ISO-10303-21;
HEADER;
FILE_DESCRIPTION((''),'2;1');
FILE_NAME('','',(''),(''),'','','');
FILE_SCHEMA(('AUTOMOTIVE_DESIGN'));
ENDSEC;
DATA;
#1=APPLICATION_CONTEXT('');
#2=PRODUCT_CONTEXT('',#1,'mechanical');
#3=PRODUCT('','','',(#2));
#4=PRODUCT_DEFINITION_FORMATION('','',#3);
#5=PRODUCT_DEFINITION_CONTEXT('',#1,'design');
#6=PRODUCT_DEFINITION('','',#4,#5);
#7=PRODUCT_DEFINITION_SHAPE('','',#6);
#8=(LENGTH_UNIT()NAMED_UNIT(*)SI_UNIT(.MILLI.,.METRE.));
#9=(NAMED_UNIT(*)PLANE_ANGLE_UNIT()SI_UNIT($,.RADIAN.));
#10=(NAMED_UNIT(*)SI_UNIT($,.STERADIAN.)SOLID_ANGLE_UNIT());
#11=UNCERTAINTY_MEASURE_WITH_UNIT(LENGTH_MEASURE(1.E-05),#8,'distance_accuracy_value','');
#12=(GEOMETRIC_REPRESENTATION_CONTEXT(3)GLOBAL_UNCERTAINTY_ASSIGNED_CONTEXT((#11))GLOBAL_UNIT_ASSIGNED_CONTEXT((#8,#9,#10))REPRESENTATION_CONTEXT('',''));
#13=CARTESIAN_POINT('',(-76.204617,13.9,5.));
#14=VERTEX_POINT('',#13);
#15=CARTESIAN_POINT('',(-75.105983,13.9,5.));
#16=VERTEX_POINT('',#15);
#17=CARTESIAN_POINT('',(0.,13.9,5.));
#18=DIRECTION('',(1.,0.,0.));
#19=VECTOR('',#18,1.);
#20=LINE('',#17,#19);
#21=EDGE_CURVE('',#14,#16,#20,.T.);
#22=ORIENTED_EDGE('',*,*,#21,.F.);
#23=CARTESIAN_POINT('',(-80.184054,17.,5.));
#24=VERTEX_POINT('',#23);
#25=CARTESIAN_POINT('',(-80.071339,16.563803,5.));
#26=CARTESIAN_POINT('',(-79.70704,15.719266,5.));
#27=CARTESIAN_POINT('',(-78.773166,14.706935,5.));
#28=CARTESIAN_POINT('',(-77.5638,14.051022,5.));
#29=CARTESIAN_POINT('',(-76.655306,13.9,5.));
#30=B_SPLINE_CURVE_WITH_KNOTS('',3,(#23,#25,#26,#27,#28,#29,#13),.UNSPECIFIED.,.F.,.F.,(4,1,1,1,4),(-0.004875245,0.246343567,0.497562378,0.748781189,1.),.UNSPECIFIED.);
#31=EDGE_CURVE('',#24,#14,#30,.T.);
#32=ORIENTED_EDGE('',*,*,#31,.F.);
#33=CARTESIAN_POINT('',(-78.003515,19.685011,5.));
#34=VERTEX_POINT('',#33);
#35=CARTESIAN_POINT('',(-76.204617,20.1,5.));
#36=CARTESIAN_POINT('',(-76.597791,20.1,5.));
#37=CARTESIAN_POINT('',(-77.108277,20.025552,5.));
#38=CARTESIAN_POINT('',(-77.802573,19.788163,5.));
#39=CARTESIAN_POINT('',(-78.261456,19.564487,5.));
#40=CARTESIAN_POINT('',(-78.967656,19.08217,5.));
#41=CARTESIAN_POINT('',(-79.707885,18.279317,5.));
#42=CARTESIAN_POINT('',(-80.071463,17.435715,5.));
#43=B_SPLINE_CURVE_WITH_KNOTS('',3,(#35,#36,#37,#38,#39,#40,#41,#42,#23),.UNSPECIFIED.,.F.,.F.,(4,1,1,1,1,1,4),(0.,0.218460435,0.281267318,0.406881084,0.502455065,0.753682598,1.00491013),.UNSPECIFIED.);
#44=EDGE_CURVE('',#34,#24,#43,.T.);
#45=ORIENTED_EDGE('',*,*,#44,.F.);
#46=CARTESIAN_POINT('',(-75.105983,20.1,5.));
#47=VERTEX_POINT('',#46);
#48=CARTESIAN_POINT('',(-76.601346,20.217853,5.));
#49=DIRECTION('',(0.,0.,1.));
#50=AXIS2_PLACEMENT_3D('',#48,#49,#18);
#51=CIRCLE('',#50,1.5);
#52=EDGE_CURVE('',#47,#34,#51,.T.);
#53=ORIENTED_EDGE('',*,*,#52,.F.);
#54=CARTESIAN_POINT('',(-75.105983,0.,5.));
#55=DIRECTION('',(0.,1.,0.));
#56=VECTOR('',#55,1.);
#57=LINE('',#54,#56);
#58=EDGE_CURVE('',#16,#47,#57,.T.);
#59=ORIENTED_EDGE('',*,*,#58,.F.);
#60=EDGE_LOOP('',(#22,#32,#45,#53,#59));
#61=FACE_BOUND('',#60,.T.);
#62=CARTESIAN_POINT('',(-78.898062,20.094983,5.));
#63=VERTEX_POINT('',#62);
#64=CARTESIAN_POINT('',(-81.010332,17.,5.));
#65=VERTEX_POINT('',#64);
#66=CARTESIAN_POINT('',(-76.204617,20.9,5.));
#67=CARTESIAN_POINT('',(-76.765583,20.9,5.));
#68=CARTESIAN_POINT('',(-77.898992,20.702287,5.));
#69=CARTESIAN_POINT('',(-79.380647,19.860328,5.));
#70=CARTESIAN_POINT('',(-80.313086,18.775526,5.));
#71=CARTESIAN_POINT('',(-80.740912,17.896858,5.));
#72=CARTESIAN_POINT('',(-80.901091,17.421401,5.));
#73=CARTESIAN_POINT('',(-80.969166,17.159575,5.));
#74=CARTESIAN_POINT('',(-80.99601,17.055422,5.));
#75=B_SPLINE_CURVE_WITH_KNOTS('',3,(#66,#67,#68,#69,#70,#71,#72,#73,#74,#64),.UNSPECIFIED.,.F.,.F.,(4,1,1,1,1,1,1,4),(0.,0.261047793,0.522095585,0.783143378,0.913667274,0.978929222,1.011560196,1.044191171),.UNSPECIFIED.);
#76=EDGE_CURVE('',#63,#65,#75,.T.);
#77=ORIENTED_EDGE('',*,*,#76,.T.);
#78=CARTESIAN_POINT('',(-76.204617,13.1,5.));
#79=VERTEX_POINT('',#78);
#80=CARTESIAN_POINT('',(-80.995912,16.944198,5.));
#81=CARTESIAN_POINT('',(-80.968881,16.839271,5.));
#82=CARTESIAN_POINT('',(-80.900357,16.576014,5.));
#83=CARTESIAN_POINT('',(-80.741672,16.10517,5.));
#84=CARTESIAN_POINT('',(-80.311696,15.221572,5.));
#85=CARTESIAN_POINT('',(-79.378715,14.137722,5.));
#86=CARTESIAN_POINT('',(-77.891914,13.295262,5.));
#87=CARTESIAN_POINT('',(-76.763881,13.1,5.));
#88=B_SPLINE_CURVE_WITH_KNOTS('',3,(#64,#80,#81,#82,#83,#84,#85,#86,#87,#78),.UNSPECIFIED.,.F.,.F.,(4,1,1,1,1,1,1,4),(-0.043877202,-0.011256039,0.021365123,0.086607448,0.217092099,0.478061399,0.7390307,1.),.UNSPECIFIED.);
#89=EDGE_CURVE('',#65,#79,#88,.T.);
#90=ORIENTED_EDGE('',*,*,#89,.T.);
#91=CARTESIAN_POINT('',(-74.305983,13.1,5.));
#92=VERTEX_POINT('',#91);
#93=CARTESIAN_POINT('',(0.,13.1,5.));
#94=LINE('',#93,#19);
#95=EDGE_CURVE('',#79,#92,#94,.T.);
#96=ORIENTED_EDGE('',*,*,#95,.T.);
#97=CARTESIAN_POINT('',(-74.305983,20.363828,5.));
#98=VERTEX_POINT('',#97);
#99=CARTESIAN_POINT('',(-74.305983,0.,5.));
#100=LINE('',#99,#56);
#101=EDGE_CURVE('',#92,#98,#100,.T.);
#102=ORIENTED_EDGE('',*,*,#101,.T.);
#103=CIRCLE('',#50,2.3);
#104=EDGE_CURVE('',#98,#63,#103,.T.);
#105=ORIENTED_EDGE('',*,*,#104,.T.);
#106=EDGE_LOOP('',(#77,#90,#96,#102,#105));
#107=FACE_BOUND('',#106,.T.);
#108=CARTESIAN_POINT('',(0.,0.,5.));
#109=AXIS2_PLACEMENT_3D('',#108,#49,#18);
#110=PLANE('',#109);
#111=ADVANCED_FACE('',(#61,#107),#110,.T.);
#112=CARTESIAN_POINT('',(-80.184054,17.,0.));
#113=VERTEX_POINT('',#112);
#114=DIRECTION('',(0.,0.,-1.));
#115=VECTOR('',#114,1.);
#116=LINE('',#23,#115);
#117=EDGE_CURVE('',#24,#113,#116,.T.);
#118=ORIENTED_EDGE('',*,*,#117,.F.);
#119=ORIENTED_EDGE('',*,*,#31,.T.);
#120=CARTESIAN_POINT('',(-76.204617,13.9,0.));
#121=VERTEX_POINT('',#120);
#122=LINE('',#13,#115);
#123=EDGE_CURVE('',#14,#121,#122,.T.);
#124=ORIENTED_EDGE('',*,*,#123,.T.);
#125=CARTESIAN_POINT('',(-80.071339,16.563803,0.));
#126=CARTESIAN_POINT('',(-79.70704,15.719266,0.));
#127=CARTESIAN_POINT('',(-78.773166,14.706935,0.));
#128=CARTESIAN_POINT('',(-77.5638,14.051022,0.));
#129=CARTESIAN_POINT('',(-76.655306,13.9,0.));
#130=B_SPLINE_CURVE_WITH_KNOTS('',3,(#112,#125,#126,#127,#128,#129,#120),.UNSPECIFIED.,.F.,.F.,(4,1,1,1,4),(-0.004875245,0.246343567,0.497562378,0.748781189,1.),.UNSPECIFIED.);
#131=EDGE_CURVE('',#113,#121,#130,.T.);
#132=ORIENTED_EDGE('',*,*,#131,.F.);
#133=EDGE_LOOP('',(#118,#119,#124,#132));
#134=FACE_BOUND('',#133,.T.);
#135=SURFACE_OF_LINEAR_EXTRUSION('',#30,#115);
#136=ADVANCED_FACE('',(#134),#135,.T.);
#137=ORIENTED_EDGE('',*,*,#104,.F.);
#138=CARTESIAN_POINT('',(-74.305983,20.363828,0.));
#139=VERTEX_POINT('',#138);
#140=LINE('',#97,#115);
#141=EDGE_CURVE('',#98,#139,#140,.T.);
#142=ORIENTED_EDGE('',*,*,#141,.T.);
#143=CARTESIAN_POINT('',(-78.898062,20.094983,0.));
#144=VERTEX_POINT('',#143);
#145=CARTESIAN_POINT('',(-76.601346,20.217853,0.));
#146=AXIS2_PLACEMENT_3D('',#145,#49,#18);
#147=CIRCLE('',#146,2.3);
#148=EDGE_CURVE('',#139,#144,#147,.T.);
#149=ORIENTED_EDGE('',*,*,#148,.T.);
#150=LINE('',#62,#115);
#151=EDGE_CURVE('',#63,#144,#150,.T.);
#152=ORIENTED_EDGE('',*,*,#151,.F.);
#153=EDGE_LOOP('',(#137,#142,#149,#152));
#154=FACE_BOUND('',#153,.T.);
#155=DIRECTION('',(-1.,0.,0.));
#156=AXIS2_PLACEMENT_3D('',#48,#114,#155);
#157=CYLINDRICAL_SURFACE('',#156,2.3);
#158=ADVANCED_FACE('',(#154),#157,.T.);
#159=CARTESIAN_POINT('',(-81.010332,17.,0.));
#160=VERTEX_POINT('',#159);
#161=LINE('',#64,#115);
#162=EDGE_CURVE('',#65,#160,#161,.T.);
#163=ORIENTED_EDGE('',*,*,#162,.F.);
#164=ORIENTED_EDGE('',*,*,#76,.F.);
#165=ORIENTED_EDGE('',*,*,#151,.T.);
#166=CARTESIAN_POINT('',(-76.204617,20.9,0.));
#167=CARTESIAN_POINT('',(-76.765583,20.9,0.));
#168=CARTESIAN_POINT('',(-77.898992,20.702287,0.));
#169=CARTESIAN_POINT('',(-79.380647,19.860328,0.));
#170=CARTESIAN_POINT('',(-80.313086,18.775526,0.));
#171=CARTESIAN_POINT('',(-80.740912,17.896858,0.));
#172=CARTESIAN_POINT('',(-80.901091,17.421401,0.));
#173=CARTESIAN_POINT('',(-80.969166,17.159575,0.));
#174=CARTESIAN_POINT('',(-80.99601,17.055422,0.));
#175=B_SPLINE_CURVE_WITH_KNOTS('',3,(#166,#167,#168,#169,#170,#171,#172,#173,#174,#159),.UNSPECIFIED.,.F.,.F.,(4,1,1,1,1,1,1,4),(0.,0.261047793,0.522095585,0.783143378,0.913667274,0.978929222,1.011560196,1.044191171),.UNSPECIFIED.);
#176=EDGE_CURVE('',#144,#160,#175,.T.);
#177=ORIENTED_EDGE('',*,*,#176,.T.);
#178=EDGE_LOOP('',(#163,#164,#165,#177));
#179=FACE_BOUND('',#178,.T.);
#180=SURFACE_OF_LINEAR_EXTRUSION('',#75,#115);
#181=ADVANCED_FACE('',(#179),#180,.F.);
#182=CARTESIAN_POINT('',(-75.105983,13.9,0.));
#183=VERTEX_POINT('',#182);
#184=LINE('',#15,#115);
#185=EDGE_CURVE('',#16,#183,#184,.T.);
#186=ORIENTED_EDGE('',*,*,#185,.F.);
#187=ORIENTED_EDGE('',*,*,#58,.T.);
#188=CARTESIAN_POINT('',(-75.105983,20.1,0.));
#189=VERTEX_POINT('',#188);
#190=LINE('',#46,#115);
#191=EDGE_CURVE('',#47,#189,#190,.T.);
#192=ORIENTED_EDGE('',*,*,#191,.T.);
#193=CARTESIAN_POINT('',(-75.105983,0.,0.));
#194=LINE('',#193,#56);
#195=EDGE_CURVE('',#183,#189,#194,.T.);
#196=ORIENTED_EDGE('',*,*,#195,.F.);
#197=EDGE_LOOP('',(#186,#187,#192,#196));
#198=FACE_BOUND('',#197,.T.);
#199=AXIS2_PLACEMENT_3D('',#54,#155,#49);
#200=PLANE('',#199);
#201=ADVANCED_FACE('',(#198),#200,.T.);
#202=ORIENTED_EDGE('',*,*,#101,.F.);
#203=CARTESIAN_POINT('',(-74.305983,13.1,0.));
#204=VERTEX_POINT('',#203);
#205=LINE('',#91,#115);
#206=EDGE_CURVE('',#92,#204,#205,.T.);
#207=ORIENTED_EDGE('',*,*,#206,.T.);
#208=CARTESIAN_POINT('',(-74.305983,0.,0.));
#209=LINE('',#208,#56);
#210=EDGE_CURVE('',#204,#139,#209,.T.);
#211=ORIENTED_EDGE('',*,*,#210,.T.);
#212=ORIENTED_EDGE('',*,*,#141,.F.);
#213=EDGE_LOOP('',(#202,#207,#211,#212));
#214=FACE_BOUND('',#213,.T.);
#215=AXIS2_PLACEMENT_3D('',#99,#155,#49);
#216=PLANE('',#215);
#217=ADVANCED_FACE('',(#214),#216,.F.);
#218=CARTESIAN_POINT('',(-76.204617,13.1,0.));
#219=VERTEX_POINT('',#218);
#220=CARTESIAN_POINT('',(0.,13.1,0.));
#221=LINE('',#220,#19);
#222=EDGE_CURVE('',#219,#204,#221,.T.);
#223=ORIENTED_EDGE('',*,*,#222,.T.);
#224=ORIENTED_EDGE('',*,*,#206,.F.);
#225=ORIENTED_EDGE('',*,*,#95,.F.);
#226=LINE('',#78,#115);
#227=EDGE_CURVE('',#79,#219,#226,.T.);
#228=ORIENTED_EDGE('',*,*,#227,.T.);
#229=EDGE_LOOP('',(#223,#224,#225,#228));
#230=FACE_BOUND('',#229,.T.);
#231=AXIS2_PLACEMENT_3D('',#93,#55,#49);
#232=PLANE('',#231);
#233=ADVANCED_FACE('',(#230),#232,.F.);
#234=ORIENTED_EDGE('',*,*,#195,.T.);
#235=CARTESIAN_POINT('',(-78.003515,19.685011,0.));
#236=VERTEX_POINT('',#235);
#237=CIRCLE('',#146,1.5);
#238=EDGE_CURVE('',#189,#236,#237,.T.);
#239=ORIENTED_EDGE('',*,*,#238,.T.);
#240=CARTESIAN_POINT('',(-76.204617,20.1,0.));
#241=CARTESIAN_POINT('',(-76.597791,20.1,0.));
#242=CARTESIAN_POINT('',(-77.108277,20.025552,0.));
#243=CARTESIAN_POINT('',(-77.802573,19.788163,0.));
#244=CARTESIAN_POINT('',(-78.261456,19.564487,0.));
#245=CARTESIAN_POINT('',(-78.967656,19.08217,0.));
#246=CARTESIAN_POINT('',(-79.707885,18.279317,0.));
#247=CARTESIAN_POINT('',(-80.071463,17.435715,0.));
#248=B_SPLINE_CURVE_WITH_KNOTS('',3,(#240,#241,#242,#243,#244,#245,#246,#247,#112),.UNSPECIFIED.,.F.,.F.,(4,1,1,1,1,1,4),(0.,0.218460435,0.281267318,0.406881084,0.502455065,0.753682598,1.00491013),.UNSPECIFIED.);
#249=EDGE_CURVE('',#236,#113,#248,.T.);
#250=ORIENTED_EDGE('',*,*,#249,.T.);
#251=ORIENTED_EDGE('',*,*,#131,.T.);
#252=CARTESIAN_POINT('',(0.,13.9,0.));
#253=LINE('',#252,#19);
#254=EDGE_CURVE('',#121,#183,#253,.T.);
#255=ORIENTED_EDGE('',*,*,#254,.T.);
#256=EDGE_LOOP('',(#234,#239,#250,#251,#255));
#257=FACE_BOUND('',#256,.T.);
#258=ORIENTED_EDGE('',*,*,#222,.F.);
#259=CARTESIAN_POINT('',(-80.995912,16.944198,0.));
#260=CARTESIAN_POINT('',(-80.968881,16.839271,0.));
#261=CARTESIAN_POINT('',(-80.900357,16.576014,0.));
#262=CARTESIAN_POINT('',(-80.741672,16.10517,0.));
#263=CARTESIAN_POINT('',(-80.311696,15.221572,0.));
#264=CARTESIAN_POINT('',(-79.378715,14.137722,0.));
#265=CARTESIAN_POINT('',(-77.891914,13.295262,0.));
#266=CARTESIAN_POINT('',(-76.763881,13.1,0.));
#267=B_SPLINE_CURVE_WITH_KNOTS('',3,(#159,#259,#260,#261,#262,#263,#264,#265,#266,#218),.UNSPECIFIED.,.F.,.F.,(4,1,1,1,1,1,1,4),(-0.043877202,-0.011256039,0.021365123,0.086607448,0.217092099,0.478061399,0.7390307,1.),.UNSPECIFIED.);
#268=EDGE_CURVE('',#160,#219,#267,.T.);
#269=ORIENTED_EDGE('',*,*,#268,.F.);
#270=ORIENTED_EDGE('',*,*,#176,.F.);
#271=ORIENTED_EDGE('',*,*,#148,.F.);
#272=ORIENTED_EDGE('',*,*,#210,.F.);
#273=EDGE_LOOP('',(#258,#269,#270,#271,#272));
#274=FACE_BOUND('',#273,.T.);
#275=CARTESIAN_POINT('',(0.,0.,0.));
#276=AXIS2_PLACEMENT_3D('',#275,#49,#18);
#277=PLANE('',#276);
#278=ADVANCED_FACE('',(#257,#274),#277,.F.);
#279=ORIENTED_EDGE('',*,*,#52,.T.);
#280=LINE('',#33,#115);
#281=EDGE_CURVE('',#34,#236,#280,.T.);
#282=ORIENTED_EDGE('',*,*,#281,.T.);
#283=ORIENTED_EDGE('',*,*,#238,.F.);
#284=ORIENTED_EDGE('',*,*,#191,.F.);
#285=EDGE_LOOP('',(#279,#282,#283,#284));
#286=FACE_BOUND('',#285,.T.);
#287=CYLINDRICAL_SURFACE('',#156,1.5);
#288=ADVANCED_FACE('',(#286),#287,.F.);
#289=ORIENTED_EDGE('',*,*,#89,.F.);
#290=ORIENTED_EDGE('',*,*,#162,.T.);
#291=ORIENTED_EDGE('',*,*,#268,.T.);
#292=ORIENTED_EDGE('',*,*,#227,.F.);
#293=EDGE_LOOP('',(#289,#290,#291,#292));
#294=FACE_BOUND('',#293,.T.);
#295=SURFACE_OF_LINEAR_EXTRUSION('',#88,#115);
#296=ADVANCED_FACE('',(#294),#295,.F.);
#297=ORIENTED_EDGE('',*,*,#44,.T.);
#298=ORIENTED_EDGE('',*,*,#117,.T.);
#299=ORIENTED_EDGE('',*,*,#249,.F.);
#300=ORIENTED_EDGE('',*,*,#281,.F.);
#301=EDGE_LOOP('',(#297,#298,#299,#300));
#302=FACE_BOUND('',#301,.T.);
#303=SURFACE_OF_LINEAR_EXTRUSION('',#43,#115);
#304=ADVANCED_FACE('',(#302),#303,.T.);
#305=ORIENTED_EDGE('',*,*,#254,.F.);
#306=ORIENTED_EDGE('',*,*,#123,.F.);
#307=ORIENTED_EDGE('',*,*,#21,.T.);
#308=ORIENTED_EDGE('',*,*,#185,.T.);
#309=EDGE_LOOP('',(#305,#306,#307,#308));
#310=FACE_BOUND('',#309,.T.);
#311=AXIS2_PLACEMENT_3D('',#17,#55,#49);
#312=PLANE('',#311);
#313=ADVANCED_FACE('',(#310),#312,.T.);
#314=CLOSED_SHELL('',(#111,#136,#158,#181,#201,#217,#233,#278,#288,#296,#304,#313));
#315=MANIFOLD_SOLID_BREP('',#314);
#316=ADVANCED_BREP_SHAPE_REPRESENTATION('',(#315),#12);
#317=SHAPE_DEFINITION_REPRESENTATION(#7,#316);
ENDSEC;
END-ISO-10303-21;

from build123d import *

# Parameters (mm, degrees)
BOSS_EXTRUDE1_DEPTH = 5


with BuildPart() as part:
    # Sketch1 → Boss-Extrude1 (new body)
    with BuildSketch(Plane.XY):
        with BuildLine():
            ThreePointArc((-75.265428178, 20.9), (-75.130279043, 20.511046865), (-75.105982855, 20.1))
            Line((-75.105982855, 20.1), (-75.105982855, 19.853719883))
            add(Edge.make_bspline(
                [(-74.305982855, 19.570019979), (-74.57545788, 19.689791559), (-74.842109989, 19.784227542), (-75.105982855, 19.853719883)],
                knots=[-0.347916047, -0.347916047, -0.347916047, -0.347916047, -0.203467167, -0.203467167, -0.203467167, -0.203467167], degree=3))
            Line((-74.305982855, 19.570019979), (-74.305982855, 20.071878785))
            Line((-74.305982855, 20.071878785), (-74.305982855, 20.363828129))
            ThreePointArc((-74.305982855, 20.363828129), (-74.339463682, 20.634853388), (-74.404831342, 20.9))
            Line((-74.404831342, 20.9), (-75.265428178, 20.9))
        make_face()
        with BuildLine():
            add(Edge.make_bspline(
                [(-74.305982855, 19.570019979), (-74.57545788, 19.689791559), (-74.842109989, 19.784227542), (-75.105982855, 19.853719883)],
                knots=[-0.347916047, -0.347916047, -0.347916047, -0.347916047, -0.203467167, -0.203467167, -0.203467167, -0.203467167], degree=3))
            Line((-75.105982855, 19.853719883), (-75.105982855, 16.984329869))
            Line((-75.105982855, 16.984329869), (-75.105982855, 14.140403881))
            add(Edge.make_bspline(
                [(-75.105982855, 14.140403881), (-74.843255413, 14.206157854), (-74.576591527, 14.295030515), (-74.305982855, 14.407070854)],
                knots=[1.201768628, 1.201768628, 1.201768628, 1.201768628, 1.343435707, 1.343435707, 1.343435707, 1.343435707], degree=3))
            Line((-74.305982855, 14.407070854), (-74.305982855, 17.699135935))
            Line((-74.305982855, 17.699135935), (-74.305982855, 19.570019979))
        make_face()
        with BuildLine():
            ThreePointArc((-78.067947351, 20.532623393), (-76.79630986, 21.70512917), (-75.265428178, 20.9))
            Line((-75.265428178, 20.9), (-74.404831342, 20.9))
            ThreePointArc((-74.404831342, 20.9), (-77.006960237, 22.481805089), (-78.898061562, 20.094983372))
            add(Edge.make_bspline(
                [(-78.067947351, 20.532623393), (-78.358359688, 20.413646492), (-78.636457372, 20.266940111), (-78.898061562, 20.094983372)],
                knots=[0.295059063, 0.295059063, 0.295059063, 0.295059063, 0.440738585, 0.440738585, 0.440738585, 0.440738585], degree=3))
        make_face()
        with BuildLine():
            add(Edge.make_bspline(
                [(-78.003515184, 19.685010862), (-78.104869219, 19.63560007), (-78.355344555, 19.500363503), (-78.967656438, 19.082169769), (-79.659987233, 18.331266584), (-80.013929538, 17.564650836), (-80.12711921, 17.200243393)],
                knots=[0.344074201, 0.344074201, 0.344074201, 0.344074201, 0.406881084, 0.502455065, 0.753682598, 0.966213979, 0.966213979, 0.966213979, 0.966213979], degree=3))
            ThreePointArc((-78.003515184, 19.685010862), (-78.097030736, 20.104157384), (-78.067947351, 20.532623393))
            add(Edge.make_bspline(
                [(-78.067947351, 20.532623393), (-78.358359688, 20.413646492), (-78.636457372, 20.266940111), (-78.898061562, 20.094983372)],
                knots=[0.295059063, 0.295059063, 0.295059063, 0.295059063, 0.440738585, 0.440738585, 0.440738585, 0.440738585], degree=3))
            add(Edge.make_bspline(
                [(-78.898061562, 20.094983372), (-79.044158498, 19.998951452), (-79.506474474, 19.658143157), (-79.905620688, 19.237259361), (-80.14350503, 18.917192132)],
                knots=[0.440738585, 0.440738585, 0.440738585, 0.440738585, 0.522095585, 0.707584074, 0.707584074, 0.707584074, 0.707584074], degree=3))
            add(Edge.make_bspline(
                [(-80.143505006, 18.917192121), (-80.243393446, 18.301629507), (-80.235757559, 17.730205674), (-80.12711921, 17.200243393)],
                knots=[-0.342301016, -0.342301016, -0.342301016, -0.342301016, -0.038630201, -0.038630201, -0.038630201, -0.038630201], degree=3))
        make_face()
        with BuildLine():
            add(Edge.make_bspline(
                [(-80.12711921, 17.200243393), (-80.147727954, 17.133894765), (-80.166711829, 17.067112434), (-80.184053986, 17)],
                knots=[0.966213979, 0.966213979, 0.966213979, 0.966213979, 1.00491013, 1.00491013, 1.00491013, 1.00491013], degree=3))
            add(Edge.make_bspline(
                [(-80.143505006, 18.917192121), (-80.243393446, 18.301629507), (-80.235757559, 17.730205674), (-80.12711921, 17.200243393)],
                knots=[-0.342301016, -0.342301016, -0.342301016, -0.342301016, -0.038630201, -0.038630201, -0.038630201, -0.038630201], degree=3))
            add(Edge.make_bspline(
                [(-80.14350503, 18.917192132), (-80.240407946, 18.786811765), (-80.486796547, 18.418759671), (-80.740911848, 17.89685783), (-80.901091234, 17.421401242), (-80.969166274, 17.159575272), (-80.996010355, 17.055421709), (-81.010331575, 17)],
                knots=[0.707584074, 0.707584074, 0.707584074, 0.707584074, 0.783143378, 0.913667274, 0.978929222, 1.011560196, 1.044191171, 1.044191171, 1.044191171, 1.044191171], degree=3))
            add(Edge.make_bspline(
                [(-81.010331575, 17), (-80.995912214, 16.944198497), (-80.968881368, 16.839270604), (-80.900356676, 16.576013924), (-80.741671714, 16.105170367), (-80.311695813, 15.221571956), (-79.37871474, 14.137722448), (-77.891914282, 13.2952625), (-76.763881291, 13.1), (-76.204616771, 13.1)],
                knots=[-0.043877202, -0.043877202, -0.043877202, -0.043877202, -0.011256039, 0.021365123, 0.086607448, 0.217092099, 0.478061399, 0.7390307, 1, 1, 1, 1], degree=3))
            Line((-76.204616771, 13.1), (-74.305982855, 13.1))
            Line((-74.305982855, 13.1), (-74.305982855, 14.407070854))
            add(Edge.make_bspline(
                [(-75.105982855, 14.140403881), (-74.843255413, 14.206157854), (-74.576591527, 14.295030515), (-74.305982855, 14.407070854)],
                knots=[1.201768628, 1.201768628, 1.201768628, 1.201768628, 1.343435707, 1.343435707, 1.343435707, 1.343435707], degree=3))
            Line((-75.105982855, 14.140403881), (-75.105982855, 13.9))
            Line((-75.105982855, 13.9), (-76.204616771, 13.9))
            add(Edge.make_bspline(
                [(-78.772417568, 14.802007342), (-78.757445413, 14.790011818), (-78.387128598, 14.497563572), (-77.563800223, 14.051022081), (-76.655306258, 13.9), (-76.204616771, 13.9)],
                knots=[0.48691566, 0.48691566, 0.48691566, 0.48691566, 0.497562378, 0.748781189, 1, 1, 1, 1], degree=3))
            add(Edge.make_bspline(
                [(-80.126958505, 16.799254372), (-80.350350695, 15.691334532), (-80.041454579, 14.614718165), (-78.772417566, 14.802007352)],
                knots=[1.039358775, 1.039358775, 1.039358775, 1.039358775, 1.69125552, 1.69125552, 1.69125552, 1.69125552], degree=3))
            add(Edge.make_bspline(
                [(-80.184053986, 17), (-80.166668157, 16.932718561), (-80.147630382, 16.865768509), (-80.126958505, 16.799254372)],
                knots=[-0.004875245, -0.004875245, -0.004875245, -0.004875245, 0.033874117, 0.033874117, 0.033874117, 0.033874117], degree=3))
        make_face()
        with BuildLine():
            add(Edge.make_bspline(
                [(-80.126958505, 16.799254372), (-80.01361103, 16.434545856), (-79.667166625, 15.684835242), (-79.110726777, 15.07305693), (-78.772417568, 14.802007342)],
                knots=[0.033874117, 0.033874117, 0.033874117, 0.033874117, 0.246343567, 0.48691566, 0.48691566, 0.48691566, 0.48691566], degree=3))
            add(Edge.make_bspline(
                [(-80.126958505, 16.799254372), (-80.350350695, 15.691334532), (-80.041454579, 14.614718165), (-78.772417566, 14.802007352)],
                knots=[1.039358775, 1.039358775, 1.039358775, 1.039358775, 1.69125552, 1.69125552, 1.69125552, 1.69125552], degree=3))
        make_face()
    extrude(amount=BOSS_EXTRUDE1_DEPTH)


solid = part.part
